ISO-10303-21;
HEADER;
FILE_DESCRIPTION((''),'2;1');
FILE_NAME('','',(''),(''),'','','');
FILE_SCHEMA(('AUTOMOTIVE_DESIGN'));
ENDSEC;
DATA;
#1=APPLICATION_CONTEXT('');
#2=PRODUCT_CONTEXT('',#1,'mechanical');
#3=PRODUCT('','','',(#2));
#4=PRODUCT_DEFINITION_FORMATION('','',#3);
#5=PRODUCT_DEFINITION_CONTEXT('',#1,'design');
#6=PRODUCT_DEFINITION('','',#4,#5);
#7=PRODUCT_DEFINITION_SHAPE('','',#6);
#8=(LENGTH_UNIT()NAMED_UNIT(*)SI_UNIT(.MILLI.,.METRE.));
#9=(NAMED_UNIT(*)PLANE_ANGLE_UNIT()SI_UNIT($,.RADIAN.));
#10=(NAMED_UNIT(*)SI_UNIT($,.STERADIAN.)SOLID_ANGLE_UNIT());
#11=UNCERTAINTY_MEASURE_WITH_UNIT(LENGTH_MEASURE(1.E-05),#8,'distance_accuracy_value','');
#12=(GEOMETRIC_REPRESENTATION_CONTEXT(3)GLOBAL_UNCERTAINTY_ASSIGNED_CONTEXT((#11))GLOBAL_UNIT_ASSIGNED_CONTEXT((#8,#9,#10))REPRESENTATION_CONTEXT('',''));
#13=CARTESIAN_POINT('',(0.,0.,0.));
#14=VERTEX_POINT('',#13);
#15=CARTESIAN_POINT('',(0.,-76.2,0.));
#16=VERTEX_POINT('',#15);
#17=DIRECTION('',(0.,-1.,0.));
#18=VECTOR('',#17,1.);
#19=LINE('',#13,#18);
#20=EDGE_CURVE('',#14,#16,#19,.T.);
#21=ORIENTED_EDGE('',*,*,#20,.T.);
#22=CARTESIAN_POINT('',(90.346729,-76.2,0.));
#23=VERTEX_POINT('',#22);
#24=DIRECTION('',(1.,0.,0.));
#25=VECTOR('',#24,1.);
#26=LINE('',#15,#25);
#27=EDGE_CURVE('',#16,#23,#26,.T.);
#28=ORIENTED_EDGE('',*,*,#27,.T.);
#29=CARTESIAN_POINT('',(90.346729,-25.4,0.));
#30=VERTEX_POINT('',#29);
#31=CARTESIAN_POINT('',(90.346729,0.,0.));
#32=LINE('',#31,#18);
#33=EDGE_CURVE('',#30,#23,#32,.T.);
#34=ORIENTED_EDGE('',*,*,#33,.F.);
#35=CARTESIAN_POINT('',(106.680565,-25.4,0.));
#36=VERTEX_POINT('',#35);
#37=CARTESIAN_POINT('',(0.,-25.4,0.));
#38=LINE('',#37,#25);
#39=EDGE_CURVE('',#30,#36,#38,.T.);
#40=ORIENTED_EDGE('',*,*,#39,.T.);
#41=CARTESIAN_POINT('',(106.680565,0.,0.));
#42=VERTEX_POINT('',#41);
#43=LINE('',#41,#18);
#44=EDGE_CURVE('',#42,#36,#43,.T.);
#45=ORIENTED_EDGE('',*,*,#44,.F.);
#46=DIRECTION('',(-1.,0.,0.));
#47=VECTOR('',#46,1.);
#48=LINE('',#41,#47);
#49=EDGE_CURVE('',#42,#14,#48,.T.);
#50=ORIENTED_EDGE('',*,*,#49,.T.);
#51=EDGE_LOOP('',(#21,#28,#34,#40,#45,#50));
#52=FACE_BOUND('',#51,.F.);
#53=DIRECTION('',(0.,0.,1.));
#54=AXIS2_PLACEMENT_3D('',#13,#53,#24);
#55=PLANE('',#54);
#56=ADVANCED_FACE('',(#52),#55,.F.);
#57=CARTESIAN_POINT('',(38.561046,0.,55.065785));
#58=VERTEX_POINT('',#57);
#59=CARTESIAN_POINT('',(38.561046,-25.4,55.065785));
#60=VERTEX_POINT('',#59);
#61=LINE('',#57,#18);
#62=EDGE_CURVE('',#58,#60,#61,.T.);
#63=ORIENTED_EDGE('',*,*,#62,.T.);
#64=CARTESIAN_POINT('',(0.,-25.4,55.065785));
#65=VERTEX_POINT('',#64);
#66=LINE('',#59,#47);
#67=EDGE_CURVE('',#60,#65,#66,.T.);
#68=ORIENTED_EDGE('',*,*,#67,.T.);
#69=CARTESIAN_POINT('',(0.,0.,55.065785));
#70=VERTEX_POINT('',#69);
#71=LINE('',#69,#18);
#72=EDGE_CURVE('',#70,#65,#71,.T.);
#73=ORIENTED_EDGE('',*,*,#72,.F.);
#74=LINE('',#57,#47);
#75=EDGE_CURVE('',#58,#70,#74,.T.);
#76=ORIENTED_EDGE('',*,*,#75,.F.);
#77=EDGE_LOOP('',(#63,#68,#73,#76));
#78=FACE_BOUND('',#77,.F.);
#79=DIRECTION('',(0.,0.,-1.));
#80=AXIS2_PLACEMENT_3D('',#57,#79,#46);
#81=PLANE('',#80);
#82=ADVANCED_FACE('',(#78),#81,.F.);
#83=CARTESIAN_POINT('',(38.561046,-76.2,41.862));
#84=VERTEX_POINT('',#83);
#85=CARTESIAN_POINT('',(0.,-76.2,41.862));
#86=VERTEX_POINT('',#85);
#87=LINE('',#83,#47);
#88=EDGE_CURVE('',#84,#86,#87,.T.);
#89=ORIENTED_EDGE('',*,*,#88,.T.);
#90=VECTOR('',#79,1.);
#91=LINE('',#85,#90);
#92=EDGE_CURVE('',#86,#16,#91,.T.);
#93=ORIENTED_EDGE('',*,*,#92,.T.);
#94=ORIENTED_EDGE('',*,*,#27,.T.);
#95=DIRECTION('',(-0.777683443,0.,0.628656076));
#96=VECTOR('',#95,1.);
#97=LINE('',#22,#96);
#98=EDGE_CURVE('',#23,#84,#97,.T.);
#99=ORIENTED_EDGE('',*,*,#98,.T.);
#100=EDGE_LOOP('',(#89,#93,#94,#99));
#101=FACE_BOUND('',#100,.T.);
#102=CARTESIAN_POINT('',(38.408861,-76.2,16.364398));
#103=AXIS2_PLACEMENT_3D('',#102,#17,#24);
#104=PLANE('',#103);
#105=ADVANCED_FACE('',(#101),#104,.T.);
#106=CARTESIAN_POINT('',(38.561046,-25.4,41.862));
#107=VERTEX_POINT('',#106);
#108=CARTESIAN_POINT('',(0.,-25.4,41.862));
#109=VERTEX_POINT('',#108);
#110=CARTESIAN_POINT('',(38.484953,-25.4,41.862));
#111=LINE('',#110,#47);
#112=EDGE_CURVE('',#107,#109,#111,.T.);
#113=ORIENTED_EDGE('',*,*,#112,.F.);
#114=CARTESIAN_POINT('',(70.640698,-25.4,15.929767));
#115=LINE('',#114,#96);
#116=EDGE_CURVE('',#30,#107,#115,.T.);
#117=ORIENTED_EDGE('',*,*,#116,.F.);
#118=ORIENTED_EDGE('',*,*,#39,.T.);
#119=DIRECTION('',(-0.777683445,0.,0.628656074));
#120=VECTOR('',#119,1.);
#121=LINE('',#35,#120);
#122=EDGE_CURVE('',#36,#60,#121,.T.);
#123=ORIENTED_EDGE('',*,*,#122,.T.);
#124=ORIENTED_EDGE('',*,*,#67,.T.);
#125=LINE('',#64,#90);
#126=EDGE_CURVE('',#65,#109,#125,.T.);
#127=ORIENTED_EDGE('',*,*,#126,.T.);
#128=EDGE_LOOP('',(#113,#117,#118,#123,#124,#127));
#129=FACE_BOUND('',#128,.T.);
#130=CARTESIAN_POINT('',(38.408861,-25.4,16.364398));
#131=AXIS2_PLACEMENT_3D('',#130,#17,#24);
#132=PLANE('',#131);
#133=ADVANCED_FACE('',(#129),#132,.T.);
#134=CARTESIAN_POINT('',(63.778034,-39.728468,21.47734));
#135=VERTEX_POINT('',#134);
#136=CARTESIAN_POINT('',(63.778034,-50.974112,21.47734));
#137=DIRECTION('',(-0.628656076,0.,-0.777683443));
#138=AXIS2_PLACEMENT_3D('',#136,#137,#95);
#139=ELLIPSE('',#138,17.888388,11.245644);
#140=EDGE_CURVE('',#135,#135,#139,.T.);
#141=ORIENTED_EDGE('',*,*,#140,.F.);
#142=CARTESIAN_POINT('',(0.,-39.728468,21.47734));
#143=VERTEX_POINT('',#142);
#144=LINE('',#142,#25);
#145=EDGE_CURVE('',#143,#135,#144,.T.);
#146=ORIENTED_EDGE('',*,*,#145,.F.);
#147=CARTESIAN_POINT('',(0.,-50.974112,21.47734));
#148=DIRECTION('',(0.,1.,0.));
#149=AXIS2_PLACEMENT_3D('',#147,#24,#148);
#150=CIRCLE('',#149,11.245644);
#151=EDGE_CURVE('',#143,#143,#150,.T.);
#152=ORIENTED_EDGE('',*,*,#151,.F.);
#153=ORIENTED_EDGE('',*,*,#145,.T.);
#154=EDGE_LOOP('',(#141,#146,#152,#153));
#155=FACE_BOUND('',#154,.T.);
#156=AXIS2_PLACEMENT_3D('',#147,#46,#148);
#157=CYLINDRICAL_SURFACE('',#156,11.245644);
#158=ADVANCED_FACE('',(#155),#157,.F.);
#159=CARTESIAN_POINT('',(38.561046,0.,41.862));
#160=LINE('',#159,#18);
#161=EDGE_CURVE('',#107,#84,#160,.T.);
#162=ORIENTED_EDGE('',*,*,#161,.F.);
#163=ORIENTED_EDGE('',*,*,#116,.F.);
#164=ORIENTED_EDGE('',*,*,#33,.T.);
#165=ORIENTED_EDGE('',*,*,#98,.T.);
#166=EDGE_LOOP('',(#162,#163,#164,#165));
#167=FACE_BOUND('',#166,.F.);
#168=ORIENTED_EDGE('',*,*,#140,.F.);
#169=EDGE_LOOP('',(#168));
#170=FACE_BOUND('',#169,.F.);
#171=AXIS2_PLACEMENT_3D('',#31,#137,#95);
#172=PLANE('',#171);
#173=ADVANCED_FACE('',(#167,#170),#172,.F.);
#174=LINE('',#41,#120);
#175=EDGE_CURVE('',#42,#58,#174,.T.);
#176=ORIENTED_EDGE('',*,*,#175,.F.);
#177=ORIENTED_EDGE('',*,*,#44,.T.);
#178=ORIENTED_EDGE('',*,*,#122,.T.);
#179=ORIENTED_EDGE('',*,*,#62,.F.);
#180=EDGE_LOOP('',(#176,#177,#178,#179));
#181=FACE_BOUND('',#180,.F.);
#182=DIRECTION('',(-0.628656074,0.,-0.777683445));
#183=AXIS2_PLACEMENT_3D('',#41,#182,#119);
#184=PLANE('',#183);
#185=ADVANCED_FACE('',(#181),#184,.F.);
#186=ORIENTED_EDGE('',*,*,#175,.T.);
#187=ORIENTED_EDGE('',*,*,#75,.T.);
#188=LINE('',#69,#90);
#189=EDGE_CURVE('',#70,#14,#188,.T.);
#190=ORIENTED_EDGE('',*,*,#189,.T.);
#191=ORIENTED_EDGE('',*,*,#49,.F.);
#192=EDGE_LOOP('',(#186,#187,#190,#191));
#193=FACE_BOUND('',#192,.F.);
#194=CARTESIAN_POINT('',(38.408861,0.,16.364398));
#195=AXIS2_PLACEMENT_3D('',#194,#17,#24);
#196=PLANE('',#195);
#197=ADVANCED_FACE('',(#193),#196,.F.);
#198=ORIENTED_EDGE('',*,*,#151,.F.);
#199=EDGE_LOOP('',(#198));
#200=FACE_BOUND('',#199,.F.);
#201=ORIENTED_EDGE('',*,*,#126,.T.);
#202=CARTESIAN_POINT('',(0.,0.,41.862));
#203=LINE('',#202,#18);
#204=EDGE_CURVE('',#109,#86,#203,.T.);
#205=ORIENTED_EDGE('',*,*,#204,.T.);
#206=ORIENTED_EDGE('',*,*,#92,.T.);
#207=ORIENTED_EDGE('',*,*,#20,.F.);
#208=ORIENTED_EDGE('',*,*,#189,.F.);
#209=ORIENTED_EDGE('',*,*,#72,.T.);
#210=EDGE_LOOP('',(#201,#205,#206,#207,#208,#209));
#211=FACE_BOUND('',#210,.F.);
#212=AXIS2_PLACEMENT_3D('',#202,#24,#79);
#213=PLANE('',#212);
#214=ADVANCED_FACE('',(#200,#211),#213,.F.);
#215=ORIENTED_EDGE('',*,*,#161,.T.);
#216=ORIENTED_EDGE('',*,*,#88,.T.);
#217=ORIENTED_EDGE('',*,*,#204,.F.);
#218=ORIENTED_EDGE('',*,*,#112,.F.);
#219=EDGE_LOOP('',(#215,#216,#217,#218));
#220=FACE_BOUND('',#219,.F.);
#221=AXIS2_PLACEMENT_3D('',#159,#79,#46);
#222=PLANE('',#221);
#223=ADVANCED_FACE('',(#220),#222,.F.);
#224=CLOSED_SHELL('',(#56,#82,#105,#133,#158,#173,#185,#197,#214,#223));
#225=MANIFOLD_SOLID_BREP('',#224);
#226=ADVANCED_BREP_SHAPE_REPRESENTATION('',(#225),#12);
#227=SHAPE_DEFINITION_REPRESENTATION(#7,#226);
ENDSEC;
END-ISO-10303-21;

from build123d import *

# Parameters (mm, degrees)
F1_DEPTH = 76.2
F2_DEPTH = 25.4
F3_R     = 11.245644
F4_DEPTH = 152.4


with BuildPart() as f1:
    # F0 (on Front) → F1 (new body)
    with BuildSketch(Plane.XZ):
        Polygon((0, 41.862), (0, 0), (90.346729, 0), (38.561046, 41.862), align=None)
    extrude(amount=F1_DEPTH)

    # F0 (on Front) → F2 (join)
    with BuildSketch(Plane.XZ):
        Polygon((0, 41.862), (0, 0), (90.346729, 0), (38.561046, 41.862), align=None)
        Polygon((0, 55.065785), (0, 41.862), (38.561046, 41.862), (90.346729, 0), (106.680565, 0), (38.561046, 55.065785), align=None)
    extrude(amount=F2_DEPTH)

    # F3 (on Right) → F4 (cut)
    with BuildSketch(Plane.YZ):
        with Locations((-50.974112, 21.47734)):
            Circle(F3_R)
    extrude(amount=F4_DEPTH, mode=Mode.SUBTRACT)


solid = f1.part
